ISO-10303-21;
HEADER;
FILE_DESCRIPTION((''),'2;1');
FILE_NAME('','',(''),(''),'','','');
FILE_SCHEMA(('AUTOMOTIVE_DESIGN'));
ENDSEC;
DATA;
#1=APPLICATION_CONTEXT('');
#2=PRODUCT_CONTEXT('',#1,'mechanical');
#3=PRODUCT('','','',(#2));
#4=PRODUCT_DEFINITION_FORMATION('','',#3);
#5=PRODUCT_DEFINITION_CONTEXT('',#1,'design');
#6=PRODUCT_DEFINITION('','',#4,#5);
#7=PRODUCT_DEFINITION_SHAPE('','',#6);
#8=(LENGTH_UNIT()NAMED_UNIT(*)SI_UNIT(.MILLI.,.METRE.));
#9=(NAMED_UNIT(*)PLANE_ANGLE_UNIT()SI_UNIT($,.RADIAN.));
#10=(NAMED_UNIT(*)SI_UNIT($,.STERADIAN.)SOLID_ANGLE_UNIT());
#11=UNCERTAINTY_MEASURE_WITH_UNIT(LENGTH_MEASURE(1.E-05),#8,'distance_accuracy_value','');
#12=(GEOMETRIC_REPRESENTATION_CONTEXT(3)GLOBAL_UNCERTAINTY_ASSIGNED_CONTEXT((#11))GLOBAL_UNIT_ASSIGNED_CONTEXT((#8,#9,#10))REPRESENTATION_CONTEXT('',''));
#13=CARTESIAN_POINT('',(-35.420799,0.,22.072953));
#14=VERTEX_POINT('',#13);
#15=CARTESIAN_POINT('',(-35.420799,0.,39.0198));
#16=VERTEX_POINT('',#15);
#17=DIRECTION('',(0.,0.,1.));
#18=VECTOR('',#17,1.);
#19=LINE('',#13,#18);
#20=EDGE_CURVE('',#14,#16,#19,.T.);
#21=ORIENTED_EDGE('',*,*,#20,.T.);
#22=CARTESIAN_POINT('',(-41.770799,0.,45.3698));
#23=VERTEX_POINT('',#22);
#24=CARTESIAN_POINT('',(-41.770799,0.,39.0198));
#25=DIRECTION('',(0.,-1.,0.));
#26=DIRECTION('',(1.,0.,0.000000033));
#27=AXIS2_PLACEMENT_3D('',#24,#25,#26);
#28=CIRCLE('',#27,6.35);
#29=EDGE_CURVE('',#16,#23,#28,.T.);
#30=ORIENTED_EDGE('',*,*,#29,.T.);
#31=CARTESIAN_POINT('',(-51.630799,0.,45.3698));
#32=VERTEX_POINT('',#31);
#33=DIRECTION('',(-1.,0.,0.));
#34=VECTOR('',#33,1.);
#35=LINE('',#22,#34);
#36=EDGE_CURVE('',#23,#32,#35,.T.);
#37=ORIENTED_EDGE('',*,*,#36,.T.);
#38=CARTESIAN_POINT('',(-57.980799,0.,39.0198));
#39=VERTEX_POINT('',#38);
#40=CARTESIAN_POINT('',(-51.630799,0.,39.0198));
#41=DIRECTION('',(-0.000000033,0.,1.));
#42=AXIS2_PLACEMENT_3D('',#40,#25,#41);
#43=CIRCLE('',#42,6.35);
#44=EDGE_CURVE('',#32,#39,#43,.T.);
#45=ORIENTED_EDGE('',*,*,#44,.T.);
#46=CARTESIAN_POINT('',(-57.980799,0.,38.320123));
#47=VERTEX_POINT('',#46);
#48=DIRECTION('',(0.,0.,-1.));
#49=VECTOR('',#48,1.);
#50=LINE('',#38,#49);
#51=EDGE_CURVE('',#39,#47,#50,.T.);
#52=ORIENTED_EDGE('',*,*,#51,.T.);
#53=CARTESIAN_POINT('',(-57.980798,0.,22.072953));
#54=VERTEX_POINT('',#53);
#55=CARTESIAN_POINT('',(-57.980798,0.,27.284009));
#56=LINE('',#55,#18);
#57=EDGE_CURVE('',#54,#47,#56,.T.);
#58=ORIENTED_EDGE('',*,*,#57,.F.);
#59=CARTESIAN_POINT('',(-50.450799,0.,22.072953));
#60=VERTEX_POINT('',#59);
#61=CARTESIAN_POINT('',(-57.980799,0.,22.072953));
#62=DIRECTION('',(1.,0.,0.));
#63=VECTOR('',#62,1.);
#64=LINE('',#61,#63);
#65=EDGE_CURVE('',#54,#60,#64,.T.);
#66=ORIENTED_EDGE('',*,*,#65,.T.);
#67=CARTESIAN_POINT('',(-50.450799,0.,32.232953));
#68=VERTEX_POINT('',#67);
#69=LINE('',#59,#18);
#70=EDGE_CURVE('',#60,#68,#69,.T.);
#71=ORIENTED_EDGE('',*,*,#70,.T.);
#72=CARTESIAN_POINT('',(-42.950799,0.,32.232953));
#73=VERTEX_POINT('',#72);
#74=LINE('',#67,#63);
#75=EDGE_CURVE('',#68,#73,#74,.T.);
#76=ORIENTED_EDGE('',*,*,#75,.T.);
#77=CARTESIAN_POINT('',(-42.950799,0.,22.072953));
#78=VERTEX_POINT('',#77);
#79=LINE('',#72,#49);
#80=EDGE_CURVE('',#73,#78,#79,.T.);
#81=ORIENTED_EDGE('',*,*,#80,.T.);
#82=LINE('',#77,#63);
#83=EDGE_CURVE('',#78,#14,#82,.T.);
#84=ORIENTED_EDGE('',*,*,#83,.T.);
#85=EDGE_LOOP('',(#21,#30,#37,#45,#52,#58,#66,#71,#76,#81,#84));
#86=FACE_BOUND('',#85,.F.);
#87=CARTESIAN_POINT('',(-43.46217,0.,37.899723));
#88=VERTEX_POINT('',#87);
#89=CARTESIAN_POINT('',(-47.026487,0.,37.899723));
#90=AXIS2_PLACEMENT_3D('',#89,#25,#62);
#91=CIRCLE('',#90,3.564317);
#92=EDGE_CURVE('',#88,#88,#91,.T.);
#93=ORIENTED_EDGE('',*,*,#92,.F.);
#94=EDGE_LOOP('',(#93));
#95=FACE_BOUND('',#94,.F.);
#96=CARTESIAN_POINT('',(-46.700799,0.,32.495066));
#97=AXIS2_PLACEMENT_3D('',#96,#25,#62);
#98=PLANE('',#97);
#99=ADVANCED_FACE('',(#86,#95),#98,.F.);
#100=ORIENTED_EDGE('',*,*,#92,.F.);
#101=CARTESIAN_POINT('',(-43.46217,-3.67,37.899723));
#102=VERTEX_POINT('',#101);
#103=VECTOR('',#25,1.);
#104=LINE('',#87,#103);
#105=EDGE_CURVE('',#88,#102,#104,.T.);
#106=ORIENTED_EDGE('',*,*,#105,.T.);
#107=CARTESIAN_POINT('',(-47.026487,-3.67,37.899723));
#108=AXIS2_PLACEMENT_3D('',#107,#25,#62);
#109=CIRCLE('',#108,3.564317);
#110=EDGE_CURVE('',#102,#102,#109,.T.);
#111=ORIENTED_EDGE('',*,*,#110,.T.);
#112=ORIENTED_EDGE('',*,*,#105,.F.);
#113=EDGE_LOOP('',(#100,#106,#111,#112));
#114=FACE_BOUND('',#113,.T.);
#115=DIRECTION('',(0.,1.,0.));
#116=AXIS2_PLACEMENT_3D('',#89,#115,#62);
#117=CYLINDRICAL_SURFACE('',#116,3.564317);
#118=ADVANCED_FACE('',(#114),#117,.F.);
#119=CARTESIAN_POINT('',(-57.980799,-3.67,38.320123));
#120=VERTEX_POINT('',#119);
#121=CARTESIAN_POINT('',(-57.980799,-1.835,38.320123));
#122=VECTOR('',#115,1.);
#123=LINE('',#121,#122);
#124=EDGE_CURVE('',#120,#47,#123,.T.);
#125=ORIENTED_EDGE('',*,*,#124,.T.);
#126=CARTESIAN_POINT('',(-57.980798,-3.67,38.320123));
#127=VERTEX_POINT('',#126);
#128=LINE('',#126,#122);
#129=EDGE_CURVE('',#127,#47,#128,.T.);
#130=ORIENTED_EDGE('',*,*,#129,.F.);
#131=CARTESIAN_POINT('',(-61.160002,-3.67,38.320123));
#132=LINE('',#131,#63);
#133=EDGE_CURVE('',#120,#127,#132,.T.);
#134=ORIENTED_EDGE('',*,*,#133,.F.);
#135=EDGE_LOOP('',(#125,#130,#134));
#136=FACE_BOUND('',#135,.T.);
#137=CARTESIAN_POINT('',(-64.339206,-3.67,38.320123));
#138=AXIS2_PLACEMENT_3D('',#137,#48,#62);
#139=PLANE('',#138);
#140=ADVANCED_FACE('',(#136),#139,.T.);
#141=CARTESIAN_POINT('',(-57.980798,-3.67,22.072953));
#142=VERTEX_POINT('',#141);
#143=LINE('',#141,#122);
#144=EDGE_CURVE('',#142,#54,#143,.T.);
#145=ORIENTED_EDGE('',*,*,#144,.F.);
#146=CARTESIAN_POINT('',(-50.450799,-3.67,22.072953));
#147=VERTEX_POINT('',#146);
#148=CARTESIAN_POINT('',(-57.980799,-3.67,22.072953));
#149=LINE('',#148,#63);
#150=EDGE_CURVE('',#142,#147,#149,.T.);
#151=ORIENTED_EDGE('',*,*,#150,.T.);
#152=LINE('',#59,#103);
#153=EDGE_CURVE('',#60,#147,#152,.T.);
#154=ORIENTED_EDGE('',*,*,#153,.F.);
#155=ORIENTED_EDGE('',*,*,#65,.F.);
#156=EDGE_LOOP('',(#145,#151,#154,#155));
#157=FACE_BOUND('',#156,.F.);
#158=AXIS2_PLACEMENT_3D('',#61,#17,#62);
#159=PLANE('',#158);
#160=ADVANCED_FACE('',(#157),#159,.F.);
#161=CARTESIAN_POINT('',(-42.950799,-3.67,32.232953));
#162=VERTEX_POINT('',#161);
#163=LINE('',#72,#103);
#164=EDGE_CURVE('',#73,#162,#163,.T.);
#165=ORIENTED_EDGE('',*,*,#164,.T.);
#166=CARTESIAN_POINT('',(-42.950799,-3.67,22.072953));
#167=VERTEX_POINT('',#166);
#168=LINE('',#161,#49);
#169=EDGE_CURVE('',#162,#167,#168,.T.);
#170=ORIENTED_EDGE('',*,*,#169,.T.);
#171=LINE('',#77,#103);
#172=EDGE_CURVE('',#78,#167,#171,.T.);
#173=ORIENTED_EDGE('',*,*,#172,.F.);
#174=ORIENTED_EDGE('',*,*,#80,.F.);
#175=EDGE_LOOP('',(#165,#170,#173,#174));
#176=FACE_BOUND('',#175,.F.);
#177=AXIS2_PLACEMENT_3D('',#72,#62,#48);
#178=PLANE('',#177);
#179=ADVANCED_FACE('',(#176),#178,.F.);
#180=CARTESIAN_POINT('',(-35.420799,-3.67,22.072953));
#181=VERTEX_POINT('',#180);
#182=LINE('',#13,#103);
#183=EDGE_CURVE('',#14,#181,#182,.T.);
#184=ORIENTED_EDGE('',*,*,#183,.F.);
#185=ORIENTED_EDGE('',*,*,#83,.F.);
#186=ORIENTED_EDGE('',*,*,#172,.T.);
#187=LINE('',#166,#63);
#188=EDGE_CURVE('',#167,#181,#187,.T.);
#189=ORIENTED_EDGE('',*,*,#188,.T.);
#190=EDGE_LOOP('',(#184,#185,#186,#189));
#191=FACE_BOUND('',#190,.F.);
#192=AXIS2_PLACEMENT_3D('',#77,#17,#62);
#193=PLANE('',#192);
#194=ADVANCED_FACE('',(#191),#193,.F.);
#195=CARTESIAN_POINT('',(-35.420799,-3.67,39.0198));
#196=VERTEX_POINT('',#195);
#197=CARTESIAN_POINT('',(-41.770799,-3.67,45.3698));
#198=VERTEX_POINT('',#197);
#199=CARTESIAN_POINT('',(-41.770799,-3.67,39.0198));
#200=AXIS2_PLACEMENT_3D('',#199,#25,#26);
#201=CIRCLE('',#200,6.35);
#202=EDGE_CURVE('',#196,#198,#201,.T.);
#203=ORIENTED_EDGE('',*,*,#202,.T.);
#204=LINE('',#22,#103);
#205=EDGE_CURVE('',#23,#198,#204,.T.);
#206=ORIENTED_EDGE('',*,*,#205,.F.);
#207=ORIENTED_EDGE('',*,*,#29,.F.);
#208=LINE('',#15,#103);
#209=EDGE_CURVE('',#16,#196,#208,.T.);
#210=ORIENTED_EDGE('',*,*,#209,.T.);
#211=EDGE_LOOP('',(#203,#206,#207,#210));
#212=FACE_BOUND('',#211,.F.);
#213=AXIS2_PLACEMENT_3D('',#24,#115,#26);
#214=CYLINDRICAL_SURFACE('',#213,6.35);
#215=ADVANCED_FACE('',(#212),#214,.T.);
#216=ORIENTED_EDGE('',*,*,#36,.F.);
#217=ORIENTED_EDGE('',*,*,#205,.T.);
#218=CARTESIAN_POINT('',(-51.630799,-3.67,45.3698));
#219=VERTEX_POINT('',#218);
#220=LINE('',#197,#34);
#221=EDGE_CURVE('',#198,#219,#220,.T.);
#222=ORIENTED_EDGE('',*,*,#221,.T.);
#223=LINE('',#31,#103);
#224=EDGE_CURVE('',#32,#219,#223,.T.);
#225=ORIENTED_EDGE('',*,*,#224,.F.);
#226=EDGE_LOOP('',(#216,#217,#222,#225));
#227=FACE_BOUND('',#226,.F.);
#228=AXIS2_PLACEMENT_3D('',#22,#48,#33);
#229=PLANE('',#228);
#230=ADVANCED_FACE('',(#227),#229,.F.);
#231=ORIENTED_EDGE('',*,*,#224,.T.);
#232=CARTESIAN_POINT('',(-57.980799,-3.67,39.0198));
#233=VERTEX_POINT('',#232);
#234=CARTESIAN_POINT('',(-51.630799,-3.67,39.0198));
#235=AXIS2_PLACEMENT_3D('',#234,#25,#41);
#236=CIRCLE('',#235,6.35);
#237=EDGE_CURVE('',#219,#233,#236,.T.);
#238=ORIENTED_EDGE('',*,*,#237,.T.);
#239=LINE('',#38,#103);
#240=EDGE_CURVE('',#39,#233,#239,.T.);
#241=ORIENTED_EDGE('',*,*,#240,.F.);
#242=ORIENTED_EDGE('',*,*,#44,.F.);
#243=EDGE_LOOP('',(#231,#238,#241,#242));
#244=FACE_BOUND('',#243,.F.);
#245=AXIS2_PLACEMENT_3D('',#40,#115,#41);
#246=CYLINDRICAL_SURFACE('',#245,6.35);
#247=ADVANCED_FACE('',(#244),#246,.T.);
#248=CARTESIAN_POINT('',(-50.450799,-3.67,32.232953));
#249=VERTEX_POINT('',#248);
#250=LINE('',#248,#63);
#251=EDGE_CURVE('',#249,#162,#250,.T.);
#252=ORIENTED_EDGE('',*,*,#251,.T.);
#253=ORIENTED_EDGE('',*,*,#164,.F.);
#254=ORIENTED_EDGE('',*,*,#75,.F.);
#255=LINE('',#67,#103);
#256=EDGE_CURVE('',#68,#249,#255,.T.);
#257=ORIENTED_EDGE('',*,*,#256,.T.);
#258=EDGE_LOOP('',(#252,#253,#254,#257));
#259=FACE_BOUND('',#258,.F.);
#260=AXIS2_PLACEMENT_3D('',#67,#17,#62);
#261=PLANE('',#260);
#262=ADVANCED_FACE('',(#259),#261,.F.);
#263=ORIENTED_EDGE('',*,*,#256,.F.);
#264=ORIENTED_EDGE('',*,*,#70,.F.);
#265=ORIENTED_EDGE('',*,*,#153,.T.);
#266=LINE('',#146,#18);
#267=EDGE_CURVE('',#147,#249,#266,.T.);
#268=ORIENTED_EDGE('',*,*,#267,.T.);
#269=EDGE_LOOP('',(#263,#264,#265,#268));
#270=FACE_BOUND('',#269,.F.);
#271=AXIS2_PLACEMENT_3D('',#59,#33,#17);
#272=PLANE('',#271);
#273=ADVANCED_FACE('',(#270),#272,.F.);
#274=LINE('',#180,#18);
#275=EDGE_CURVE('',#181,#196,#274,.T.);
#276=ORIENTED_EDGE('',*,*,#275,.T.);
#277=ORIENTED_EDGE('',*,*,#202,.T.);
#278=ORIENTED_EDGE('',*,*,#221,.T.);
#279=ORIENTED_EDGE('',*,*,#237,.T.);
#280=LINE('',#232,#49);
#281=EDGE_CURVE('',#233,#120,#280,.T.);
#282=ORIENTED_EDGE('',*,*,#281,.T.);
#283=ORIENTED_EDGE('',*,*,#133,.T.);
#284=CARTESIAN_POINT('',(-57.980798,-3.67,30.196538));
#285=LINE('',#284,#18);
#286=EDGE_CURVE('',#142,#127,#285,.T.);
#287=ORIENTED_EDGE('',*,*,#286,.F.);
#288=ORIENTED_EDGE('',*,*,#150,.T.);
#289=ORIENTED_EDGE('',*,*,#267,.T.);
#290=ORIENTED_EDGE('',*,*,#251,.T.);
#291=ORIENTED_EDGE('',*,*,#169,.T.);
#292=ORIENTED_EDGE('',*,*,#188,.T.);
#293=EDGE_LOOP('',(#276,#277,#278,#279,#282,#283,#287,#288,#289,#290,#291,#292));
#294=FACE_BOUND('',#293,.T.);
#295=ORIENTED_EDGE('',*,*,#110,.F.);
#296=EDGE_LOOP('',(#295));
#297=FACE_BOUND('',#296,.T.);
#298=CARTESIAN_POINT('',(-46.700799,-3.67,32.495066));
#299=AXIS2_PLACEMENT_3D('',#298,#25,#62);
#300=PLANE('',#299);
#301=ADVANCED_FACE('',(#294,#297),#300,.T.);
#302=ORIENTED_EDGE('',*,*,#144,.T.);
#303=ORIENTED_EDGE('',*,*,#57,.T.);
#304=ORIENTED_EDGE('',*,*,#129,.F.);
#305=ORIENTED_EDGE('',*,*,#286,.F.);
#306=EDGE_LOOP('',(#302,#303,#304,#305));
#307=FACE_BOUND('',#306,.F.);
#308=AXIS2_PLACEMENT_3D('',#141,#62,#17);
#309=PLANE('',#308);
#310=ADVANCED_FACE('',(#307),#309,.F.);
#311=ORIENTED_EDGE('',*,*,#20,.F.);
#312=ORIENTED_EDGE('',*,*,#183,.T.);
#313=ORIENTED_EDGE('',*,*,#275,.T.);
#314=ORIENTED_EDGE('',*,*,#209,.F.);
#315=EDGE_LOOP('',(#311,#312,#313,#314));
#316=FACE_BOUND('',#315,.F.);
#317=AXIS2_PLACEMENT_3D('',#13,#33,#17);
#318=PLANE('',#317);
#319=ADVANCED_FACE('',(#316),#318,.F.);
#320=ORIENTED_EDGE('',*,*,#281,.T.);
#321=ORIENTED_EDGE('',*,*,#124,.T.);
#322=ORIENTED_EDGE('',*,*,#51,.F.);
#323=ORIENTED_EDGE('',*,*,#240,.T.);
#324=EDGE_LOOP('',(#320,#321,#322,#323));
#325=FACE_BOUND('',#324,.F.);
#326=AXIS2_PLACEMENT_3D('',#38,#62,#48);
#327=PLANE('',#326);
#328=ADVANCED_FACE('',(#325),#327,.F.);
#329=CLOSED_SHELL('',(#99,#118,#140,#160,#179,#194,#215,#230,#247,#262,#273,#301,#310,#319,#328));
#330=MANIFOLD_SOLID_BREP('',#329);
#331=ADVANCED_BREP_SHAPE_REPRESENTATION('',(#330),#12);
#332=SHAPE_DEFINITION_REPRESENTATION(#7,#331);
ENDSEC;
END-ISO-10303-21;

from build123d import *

# Parameters (mm, degrees)
F0_R     = 3.564317
F1_DEPTH = 3.67
F2_W     = 6.358407
F2_H     = 16.24717
F2_W_2   = 6.882895
F3_DEPTH = 3.671


with BuildPart() as f1:
    # F0 (on Front) → F1 (new body)
    with BuildSketch(Plane.XZ):
        with BuildLine():
            Line((-57.980799, 32.232953), (-57.980799, 22.072953))
            Line((-57.980799, 22.072953), (-50.450799, 22.072953))
            Line((-50.450799, 22.072953), (-50.450799, 32.232953))
            Line((-50.450799, 32.232953), (-42.950799, 32.232953))
            Line((-42.950799, 32.232953), (-42.950799, 22.072953))
            Line((-42.950799, 22.072953), (-35.420799, 22.072953))
            Line((-35.420799, 22.072953), (-35.420799, 32.232953))
            Line((-35.420799, 32.232953), (-35.420799, 39.0198))
            ThreePointArc((-35.420799, 39.0198), (-37.280671, 43.509928), (-41.770799, 45.3698))
            Line((-41.770799, 45.3698), (-51.630799, 45.3698))
            ThreePointArc((-51.630799, 45.3698), (-56.120927, 43.509928), (-57.980799, 39.0198))
            Line((-57.980799, 39.0198), (-57.980799, 32.232953))
        make_face()
        with Locations((-47.026487, 37.899723)):
            Circle(F0_R, mode=Mode.SUBTRACT)
    extrude(amount=F1_DEPTH)

    # F2 (on face) → F3 (cut, through all)
    with BuildSketch(Plane.XZ.offset(3.67)):
        with Locations((-61.160002, 30.196538)):
            Rectangle(F2_W, F2_H)
        with Locations((-31.979351, 30.196538)):
            Rectangle(F2_W_2, F2_H)
    extrude(amount=-F3_DEPTH, mode=Mode.SUBTRACT)


solid = f1.part
